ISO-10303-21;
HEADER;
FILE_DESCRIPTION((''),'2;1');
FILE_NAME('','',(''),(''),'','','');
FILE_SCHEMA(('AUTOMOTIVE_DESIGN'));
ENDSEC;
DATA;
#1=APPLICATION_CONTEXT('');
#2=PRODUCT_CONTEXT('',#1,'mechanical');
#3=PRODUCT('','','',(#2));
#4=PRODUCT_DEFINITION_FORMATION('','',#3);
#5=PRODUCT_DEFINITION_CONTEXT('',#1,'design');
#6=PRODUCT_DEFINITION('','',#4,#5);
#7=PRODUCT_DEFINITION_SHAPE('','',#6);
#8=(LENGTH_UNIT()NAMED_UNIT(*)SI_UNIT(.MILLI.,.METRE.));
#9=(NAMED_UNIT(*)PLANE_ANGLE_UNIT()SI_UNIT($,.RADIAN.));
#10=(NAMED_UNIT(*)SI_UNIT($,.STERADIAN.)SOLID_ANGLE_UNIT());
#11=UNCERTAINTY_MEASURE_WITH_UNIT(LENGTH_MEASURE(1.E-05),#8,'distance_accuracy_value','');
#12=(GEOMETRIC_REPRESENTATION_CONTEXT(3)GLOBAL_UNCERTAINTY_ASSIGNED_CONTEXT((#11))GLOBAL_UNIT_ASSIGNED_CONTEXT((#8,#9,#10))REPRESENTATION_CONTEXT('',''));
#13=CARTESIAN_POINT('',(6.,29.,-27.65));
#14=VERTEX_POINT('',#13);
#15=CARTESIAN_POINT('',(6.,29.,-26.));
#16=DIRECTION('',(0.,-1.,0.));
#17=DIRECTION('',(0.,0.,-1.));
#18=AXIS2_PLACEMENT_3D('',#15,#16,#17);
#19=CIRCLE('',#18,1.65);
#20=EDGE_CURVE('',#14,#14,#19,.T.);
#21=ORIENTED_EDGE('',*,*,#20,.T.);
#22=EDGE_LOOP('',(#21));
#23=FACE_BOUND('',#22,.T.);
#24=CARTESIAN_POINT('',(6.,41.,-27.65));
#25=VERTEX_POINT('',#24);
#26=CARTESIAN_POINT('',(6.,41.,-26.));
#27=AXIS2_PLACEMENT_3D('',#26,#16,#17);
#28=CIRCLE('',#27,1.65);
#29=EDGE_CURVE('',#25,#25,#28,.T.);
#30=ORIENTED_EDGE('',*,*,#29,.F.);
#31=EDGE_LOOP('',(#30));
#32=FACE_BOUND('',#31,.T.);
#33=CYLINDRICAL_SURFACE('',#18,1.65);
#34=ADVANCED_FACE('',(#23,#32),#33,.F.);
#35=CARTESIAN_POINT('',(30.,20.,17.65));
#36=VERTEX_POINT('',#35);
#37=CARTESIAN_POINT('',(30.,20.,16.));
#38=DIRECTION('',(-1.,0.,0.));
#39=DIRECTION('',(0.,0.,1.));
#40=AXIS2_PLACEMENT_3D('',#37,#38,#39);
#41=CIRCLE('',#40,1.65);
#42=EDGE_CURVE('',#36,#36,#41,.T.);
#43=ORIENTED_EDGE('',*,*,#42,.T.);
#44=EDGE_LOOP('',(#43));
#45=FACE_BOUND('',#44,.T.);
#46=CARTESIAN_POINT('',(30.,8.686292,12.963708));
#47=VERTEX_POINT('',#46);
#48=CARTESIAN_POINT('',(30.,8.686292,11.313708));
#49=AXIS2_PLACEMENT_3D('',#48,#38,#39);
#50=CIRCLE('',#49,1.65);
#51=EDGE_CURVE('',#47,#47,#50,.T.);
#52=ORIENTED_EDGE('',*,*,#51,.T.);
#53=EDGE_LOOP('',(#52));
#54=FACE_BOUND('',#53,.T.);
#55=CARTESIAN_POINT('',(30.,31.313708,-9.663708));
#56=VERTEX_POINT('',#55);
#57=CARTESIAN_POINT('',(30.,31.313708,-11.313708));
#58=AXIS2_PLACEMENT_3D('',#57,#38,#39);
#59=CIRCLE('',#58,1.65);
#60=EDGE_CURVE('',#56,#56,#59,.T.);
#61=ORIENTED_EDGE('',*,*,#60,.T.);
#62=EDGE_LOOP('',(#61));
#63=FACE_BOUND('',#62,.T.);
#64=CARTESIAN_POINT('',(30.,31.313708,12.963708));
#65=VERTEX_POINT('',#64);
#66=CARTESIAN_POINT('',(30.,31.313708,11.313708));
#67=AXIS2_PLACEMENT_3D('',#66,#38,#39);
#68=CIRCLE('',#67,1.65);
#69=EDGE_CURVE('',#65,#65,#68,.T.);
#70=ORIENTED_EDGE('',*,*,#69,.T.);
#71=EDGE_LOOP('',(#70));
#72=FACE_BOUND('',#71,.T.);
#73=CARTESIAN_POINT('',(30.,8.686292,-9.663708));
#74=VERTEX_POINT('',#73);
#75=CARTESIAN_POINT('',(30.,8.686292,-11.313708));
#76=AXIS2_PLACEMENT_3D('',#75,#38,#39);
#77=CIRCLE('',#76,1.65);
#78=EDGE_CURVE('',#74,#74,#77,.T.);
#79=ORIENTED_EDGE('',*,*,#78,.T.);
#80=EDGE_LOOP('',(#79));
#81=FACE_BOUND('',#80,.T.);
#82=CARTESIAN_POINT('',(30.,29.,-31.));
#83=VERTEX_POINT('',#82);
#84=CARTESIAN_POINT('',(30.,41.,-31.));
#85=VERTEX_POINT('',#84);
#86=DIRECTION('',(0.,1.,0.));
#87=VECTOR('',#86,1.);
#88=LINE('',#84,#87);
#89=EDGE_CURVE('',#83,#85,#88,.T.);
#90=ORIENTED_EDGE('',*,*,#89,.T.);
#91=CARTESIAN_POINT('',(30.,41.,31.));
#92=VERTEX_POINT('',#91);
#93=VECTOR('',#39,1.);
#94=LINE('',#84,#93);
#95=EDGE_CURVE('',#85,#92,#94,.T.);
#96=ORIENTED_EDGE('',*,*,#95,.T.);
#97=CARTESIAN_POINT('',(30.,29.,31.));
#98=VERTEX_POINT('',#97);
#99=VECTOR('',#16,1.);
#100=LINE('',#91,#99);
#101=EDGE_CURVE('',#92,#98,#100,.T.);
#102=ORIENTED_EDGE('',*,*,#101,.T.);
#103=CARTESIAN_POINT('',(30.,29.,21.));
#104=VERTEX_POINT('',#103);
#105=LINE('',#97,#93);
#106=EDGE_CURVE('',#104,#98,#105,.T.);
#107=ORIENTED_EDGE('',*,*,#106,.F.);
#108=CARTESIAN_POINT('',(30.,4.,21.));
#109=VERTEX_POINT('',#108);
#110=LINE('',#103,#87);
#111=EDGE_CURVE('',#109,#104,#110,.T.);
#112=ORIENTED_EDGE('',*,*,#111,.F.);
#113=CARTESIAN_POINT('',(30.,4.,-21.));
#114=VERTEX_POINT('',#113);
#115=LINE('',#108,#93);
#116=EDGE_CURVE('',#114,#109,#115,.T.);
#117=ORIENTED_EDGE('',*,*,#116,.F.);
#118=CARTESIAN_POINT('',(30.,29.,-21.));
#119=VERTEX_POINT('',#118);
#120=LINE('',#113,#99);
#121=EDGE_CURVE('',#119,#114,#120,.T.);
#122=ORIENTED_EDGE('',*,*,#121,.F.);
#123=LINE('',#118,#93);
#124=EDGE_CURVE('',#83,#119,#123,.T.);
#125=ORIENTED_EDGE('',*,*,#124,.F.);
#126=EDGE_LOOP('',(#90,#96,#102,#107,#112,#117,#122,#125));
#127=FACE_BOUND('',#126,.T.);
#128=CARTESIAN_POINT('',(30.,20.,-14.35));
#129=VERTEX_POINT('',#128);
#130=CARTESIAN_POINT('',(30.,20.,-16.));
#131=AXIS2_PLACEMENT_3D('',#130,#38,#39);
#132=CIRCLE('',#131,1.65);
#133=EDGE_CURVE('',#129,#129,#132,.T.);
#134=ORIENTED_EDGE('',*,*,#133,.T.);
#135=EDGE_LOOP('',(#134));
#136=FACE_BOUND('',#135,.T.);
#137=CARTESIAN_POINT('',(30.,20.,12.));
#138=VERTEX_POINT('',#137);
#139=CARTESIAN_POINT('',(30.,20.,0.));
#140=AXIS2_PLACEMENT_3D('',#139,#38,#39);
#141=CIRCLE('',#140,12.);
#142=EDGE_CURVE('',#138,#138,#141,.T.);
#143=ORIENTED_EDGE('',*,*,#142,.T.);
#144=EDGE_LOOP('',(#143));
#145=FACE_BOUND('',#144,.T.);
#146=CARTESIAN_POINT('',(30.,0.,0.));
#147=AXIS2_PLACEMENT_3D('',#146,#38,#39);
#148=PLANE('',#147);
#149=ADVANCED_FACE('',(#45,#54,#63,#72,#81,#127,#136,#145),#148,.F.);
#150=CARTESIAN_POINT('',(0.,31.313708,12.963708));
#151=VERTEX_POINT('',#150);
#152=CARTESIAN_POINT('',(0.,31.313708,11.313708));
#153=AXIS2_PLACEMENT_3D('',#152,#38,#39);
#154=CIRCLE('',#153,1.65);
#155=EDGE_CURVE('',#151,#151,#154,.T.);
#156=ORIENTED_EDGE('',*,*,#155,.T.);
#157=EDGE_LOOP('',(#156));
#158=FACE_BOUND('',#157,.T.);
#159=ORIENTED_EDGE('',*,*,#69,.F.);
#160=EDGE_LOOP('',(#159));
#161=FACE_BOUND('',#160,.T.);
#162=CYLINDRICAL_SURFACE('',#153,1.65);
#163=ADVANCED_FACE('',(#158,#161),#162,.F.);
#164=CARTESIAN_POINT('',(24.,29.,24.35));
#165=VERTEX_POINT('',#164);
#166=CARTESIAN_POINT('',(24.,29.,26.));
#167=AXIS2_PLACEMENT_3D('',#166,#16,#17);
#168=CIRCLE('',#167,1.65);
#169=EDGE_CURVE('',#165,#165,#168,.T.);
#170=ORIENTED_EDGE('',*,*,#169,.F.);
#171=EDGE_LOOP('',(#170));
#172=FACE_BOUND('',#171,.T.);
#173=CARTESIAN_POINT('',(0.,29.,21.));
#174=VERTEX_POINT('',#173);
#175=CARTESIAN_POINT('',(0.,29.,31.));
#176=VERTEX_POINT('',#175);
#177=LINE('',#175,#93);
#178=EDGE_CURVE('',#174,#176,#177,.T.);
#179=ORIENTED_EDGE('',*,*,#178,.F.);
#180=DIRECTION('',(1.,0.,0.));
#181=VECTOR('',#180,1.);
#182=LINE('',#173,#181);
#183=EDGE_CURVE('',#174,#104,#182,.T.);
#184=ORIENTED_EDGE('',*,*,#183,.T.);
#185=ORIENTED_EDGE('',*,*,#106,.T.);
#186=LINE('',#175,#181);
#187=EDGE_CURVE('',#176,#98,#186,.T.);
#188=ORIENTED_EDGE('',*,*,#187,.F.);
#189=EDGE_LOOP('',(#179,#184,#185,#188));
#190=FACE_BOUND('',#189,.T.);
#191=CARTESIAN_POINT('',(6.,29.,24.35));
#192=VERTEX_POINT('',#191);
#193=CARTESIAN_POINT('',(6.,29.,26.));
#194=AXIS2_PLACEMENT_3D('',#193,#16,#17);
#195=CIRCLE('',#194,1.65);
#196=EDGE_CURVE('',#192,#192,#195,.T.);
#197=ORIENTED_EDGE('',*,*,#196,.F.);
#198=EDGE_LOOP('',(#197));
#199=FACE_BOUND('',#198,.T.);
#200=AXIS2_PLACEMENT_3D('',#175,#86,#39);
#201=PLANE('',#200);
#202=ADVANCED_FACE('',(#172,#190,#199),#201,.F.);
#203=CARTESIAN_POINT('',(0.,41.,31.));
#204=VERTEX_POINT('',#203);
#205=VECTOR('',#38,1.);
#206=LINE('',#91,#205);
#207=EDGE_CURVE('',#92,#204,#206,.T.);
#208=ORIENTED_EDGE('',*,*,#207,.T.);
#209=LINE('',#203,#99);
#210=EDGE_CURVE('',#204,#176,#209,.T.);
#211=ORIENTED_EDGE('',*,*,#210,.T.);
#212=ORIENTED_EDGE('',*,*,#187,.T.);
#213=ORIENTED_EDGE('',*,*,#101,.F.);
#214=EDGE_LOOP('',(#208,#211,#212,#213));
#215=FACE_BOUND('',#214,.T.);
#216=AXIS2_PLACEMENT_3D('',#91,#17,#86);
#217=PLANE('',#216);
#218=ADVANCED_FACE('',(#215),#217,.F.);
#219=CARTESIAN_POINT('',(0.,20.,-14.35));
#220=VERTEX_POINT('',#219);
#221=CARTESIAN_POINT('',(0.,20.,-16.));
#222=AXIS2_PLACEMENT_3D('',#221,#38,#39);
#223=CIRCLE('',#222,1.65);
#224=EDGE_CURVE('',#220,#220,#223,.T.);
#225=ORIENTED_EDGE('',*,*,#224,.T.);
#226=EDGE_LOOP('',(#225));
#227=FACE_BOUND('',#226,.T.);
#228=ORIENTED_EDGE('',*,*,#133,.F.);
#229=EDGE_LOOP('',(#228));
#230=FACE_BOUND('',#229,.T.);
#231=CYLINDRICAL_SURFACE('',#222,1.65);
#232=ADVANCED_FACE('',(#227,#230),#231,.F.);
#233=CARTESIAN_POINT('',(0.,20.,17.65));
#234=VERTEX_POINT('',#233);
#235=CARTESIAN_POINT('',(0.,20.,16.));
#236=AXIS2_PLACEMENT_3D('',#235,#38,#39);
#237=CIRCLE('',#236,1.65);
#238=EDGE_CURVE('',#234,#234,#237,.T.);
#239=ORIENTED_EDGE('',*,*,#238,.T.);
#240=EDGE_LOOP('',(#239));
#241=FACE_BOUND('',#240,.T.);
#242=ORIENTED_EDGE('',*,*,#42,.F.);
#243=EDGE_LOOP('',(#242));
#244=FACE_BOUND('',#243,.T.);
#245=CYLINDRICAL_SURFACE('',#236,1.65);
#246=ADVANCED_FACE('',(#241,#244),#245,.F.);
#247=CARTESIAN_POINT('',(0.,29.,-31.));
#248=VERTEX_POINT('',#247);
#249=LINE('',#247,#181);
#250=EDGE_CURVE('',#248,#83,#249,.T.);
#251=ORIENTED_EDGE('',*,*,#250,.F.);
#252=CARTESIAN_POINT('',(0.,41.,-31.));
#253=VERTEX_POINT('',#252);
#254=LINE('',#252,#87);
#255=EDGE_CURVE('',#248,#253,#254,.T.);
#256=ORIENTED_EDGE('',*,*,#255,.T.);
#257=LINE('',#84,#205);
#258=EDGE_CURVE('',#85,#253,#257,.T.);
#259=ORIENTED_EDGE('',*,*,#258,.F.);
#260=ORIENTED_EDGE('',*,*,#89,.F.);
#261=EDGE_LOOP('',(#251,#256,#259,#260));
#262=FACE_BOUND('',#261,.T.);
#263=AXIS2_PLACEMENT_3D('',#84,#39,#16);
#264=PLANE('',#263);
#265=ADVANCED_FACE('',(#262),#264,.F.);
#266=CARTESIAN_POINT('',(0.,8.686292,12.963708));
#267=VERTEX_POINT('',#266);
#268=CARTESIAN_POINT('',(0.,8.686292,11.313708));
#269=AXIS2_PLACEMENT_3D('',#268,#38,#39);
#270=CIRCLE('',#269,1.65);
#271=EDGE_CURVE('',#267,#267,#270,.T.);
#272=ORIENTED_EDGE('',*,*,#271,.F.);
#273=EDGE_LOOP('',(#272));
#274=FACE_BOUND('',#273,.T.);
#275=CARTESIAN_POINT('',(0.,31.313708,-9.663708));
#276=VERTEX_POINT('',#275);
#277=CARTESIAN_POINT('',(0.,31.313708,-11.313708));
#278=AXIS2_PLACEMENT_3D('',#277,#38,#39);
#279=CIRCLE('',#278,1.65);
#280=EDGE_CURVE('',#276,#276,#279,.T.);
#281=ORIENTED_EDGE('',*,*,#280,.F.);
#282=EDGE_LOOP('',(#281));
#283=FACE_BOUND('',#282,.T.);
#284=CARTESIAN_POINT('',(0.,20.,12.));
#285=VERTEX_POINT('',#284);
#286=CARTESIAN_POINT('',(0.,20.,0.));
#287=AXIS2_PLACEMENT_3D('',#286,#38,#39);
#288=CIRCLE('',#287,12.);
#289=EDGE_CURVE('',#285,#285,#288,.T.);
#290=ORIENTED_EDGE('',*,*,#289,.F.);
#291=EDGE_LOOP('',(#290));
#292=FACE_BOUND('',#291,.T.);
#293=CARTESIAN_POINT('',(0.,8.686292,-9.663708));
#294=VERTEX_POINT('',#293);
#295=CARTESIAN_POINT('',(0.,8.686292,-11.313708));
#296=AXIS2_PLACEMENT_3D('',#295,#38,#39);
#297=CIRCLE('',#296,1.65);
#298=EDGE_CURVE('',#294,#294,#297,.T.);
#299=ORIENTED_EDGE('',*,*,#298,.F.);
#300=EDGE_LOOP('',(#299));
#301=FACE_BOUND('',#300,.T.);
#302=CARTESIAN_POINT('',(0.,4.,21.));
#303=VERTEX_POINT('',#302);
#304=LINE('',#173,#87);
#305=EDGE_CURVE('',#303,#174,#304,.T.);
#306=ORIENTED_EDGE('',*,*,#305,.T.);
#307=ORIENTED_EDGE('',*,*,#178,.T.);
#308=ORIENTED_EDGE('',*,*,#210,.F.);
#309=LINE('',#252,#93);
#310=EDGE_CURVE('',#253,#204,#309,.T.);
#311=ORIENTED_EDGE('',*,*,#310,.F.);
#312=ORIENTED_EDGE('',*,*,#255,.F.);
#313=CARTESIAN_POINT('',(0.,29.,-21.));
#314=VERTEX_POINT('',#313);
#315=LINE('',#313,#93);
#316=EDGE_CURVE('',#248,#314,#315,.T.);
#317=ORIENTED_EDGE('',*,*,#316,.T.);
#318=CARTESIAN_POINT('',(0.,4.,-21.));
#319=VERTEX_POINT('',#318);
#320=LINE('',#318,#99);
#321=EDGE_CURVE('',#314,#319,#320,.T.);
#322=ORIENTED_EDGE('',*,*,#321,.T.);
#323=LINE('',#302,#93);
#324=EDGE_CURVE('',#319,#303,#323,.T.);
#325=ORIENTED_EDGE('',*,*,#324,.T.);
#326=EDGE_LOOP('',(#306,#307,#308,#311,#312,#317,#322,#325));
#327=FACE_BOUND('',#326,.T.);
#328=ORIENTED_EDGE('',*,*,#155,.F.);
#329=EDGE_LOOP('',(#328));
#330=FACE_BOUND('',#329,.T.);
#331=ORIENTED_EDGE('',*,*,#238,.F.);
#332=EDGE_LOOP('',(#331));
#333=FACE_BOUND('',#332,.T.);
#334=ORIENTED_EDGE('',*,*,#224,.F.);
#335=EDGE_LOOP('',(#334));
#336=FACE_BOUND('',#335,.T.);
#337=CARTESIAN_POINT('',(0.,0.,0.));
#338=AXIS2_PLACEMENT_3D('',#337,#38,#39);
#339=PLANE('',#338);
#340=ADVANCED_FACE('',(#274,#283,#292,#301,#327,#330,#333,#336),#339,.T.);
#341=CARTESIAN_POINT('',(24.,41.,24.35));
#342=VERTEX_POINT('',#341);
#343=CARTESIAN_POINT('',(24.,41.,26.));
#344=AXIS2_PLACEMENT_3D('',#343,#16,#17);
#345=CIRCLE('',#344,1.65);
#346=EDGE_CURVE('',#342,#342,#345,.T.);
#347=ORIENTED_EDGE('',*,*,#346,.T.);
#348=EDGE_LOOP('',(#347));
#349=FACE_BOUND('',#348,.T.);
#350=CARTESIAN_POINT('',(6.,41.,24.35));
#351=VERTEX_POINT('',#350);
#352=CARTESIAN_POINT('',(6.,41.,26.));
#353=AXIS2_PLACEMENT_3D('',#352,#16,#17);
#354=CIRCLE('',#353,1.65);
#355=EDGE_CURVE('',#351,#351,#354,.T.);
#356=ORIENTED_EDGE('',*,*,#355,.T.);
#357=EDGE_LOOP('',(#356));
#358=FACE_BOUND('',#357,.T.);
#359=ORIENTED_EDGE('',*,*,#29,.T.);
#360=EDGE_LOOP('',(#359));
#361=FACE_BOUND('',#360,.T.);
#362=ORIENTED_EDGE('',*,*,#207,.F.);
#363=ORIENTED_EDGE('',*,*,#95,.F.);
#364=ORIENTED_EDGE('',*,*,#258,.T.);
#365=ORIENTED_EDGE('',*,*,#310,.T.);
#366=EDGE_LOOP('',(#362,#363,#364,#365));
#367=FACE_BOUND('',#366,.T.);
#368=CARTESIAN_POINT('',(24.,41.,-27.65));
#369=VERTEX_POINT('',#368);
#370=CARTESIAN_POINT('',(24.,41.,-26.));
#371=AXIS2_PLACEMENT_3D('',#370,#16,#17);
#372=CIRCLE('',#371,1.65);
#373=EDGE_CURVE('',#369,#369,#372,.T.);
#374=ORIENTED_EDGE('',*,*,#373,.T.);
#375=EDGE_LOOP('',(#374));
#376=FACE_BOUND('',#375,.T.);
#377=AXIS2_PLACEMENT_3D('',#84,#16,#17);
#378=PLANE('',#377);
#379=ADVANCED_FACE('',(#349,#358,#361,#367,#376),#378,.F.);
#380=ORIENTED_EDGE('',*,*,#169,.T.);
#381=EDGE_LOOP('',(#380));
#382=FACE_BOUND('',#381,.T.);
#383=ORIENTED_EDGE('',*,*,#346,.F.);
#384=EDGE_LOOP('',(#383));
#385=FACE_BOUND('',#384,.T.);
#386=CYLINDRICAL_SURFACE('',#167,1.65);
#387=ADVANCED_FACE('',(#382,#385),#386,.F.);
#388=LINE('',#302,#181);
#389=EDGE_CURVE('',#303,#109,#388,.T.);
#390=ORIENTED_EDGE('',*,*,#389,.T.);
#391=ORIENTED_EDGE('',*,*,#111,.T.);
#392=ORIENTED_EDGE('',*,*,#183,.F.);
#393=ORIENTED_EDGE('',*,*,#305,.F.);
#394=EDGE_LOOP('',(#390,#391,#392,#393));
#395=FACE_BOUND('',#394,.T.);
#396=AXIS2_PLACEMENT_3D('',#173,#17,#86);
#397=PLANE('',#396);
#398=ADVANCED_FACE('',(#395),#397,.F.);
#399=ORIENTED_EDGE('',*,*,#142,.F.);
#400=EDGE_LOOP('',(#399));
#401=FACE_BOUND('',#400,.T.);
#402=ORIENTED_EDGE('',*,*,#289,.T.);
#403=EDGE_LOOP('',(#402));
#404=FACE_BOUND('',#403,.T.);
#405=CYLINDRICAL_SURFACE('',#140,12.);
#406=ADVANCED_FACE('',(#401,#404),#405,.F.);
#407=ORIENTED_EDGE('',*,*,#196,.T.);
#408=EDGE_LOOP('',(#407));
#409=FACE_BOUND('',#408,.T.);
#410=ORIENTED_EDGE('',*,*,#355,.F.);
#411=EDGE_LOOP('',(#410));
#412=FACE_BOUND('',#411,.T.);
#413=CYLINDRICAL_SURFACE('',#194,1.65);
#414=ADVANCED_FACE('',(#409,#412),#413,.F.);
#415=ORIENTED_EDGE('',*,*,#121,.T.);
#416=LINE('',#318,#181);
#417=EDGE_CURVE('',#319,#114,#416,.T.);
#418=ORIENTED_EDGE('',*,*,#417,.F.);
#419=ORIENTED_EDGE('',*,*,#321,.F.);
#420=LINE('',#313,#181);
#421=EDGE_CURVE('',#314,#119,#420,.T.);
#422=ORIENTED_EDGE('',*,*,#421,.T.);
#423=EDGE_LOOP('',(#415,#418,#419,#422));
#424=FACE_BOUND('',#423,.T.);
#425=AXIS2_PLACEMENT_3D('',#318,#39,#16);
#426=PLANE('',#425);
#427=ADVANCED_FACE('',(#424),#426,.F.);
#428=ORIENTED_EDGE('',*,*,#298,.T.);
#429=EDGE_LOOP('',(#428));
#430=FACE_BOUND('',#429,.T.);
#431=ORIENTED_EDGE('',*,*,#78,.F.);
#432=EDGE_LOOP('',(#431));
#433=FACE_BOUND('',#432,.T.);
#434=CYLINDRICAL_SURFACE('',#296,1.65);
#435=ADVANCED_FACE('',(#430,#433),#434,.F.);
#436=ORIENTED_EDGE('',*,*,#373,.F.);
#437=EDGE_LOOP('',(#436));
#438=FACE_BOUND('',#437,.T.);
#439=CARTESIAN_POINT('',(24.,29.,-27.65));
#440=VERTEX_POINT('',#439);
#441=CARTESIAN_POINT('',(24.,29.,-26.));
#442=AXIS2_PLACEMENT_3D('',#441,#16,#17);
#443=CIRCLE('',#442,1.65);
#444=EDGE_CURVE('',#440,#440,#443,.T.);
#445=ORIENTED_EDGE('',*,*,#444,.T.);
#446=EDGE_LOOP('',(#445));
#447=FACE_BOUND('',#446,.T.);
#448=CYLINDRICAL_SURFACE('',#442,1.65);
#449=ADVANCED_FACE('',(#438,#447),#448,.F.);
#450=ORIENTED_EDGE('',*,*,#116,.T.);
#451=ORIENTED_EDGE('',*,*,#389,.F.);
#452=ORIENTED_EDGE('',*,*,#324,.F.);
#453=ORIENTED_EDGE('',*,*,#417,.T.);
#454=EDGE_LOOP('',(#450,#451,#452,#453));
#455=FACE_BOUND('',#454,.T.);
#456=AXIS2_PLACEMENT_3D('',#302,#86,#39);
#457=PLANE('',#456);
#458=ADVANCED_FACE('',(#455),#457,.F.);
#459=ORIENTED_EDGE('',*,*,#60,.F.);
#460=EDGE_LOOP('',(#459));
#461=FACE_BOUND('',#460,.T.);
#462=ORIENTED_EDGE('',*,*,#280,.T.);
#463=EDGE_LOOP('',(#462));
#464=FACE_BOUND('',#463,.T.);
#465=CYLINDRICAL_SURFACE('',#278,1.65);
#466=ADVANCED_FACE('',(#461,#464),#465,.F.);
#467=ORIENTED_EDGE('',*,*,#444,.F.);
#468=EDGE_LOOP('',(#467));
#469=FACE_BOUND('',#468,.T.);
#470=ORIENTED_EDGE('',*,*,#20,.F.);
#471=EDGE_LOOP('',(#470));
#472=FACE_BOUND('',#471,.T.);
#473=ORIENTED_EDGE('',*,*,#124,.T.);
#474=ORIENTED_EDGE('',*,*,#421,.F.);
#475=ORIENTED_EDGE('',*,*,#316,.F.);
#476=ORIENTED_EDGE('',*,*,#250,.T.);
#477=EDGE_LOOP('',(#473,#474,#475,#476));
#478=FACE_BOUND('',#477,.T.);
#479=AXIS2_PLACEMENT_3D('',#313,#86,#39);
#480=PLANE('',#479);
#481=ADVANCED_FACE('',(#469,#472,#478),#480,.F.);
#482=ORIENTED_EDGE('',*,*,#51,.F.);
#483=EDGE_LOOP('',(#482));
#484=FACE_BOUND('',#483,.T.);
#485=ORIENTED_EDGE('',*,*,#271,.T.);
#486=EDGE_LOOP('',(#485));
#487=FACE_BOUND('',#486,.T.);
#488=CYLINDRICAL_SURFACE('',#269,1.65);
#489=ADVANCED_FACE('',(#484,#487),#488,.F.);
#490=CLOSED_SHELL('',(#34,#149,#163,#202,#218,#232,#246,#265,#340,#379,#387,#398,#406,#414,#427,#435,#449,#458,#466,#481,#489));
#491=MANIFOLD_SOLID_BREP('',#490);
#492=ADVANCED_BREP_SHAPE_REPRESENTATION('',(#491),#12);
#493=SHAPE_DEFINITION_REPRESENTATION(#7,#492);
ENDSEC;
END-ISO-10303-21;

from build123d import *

# Parameters (mm, degrees)
SKETCH_2_W          = 62
SKETCH_2_H          = 82
EXTRUDE_2_DEPTH     = 30
SKETCH_3_R          = 12
CUT_EXTRUDE_1_DEPTH = 60.514704065
CUT_EXTRUDE_2_DEPTH = 60.514704065
HOLE_WIZARD_M4_1_D  = 3.3
HOLE_WIZARD_M4_2_D  = 3.3


with BuildPart() as part:
    # 草图2 → 凸台-拉伸2 (new body)
    with BuildSketch(Plane(origin=(0, 0, 0), x_dir=(0, 0, -1), z_dir=(1, 0, 0))):
        Rectangle(SKETCH_2_W, SKETCH_2_H)
    extrude(amount=EXTRUDE_2_DEPTH)

    # 草图3 → 切除-拉伸1 (cut, through all)
    with BuildSketch(Plane.ZY):
        with Locations((0, 20)):
            Circle(SKETCH_3_R)
    extrude(amount=-CUT_EXTRUDE_1_DEPTH, mode=Mode.SUBTRACT)

    # 草图7 → 切除-拉伸2 (cut, through all)
    with BuildSketch(Plane(origin=(30, 0, 0), x_dir=(0, 0, -1), z_dir=(1, 0, 0))):
        Polygon((-31, 29), (-21, 29), (-21, 4), (21, 4), (21, 29), (31, 29), (31, -41), (-31, -41), align=None)
    extrude(amount=-CUT_EXTRUDE_2_DEPTH, mode=Mode.SUBTRACT)

    # M4 螺纹孔1 (through all)
    with Locations(Plane.ZY):
        with Locations((-11.313708499, 31.313708499), (11.313708499, 8.686291501), (11.313708499, 31.313708499), (16, 20), (-11.313708499, 8.686291501), (-16, 20)):
            Hole(HOLE_WIZARD_M4_1_D / 2)

    # M4 螺纹孔2 (through all)
    with Locations(Plane(origin=(0, 29, 0), x_dir=(-1, 0, 0), z_dir=(0, -1, 0))):
        with Locations((-6, 26), (-24, 26), (-6, -26), (-24, -26)):
            Hole(HOLE_WIZARD_M4_2_D / 2)


solid = part.part
